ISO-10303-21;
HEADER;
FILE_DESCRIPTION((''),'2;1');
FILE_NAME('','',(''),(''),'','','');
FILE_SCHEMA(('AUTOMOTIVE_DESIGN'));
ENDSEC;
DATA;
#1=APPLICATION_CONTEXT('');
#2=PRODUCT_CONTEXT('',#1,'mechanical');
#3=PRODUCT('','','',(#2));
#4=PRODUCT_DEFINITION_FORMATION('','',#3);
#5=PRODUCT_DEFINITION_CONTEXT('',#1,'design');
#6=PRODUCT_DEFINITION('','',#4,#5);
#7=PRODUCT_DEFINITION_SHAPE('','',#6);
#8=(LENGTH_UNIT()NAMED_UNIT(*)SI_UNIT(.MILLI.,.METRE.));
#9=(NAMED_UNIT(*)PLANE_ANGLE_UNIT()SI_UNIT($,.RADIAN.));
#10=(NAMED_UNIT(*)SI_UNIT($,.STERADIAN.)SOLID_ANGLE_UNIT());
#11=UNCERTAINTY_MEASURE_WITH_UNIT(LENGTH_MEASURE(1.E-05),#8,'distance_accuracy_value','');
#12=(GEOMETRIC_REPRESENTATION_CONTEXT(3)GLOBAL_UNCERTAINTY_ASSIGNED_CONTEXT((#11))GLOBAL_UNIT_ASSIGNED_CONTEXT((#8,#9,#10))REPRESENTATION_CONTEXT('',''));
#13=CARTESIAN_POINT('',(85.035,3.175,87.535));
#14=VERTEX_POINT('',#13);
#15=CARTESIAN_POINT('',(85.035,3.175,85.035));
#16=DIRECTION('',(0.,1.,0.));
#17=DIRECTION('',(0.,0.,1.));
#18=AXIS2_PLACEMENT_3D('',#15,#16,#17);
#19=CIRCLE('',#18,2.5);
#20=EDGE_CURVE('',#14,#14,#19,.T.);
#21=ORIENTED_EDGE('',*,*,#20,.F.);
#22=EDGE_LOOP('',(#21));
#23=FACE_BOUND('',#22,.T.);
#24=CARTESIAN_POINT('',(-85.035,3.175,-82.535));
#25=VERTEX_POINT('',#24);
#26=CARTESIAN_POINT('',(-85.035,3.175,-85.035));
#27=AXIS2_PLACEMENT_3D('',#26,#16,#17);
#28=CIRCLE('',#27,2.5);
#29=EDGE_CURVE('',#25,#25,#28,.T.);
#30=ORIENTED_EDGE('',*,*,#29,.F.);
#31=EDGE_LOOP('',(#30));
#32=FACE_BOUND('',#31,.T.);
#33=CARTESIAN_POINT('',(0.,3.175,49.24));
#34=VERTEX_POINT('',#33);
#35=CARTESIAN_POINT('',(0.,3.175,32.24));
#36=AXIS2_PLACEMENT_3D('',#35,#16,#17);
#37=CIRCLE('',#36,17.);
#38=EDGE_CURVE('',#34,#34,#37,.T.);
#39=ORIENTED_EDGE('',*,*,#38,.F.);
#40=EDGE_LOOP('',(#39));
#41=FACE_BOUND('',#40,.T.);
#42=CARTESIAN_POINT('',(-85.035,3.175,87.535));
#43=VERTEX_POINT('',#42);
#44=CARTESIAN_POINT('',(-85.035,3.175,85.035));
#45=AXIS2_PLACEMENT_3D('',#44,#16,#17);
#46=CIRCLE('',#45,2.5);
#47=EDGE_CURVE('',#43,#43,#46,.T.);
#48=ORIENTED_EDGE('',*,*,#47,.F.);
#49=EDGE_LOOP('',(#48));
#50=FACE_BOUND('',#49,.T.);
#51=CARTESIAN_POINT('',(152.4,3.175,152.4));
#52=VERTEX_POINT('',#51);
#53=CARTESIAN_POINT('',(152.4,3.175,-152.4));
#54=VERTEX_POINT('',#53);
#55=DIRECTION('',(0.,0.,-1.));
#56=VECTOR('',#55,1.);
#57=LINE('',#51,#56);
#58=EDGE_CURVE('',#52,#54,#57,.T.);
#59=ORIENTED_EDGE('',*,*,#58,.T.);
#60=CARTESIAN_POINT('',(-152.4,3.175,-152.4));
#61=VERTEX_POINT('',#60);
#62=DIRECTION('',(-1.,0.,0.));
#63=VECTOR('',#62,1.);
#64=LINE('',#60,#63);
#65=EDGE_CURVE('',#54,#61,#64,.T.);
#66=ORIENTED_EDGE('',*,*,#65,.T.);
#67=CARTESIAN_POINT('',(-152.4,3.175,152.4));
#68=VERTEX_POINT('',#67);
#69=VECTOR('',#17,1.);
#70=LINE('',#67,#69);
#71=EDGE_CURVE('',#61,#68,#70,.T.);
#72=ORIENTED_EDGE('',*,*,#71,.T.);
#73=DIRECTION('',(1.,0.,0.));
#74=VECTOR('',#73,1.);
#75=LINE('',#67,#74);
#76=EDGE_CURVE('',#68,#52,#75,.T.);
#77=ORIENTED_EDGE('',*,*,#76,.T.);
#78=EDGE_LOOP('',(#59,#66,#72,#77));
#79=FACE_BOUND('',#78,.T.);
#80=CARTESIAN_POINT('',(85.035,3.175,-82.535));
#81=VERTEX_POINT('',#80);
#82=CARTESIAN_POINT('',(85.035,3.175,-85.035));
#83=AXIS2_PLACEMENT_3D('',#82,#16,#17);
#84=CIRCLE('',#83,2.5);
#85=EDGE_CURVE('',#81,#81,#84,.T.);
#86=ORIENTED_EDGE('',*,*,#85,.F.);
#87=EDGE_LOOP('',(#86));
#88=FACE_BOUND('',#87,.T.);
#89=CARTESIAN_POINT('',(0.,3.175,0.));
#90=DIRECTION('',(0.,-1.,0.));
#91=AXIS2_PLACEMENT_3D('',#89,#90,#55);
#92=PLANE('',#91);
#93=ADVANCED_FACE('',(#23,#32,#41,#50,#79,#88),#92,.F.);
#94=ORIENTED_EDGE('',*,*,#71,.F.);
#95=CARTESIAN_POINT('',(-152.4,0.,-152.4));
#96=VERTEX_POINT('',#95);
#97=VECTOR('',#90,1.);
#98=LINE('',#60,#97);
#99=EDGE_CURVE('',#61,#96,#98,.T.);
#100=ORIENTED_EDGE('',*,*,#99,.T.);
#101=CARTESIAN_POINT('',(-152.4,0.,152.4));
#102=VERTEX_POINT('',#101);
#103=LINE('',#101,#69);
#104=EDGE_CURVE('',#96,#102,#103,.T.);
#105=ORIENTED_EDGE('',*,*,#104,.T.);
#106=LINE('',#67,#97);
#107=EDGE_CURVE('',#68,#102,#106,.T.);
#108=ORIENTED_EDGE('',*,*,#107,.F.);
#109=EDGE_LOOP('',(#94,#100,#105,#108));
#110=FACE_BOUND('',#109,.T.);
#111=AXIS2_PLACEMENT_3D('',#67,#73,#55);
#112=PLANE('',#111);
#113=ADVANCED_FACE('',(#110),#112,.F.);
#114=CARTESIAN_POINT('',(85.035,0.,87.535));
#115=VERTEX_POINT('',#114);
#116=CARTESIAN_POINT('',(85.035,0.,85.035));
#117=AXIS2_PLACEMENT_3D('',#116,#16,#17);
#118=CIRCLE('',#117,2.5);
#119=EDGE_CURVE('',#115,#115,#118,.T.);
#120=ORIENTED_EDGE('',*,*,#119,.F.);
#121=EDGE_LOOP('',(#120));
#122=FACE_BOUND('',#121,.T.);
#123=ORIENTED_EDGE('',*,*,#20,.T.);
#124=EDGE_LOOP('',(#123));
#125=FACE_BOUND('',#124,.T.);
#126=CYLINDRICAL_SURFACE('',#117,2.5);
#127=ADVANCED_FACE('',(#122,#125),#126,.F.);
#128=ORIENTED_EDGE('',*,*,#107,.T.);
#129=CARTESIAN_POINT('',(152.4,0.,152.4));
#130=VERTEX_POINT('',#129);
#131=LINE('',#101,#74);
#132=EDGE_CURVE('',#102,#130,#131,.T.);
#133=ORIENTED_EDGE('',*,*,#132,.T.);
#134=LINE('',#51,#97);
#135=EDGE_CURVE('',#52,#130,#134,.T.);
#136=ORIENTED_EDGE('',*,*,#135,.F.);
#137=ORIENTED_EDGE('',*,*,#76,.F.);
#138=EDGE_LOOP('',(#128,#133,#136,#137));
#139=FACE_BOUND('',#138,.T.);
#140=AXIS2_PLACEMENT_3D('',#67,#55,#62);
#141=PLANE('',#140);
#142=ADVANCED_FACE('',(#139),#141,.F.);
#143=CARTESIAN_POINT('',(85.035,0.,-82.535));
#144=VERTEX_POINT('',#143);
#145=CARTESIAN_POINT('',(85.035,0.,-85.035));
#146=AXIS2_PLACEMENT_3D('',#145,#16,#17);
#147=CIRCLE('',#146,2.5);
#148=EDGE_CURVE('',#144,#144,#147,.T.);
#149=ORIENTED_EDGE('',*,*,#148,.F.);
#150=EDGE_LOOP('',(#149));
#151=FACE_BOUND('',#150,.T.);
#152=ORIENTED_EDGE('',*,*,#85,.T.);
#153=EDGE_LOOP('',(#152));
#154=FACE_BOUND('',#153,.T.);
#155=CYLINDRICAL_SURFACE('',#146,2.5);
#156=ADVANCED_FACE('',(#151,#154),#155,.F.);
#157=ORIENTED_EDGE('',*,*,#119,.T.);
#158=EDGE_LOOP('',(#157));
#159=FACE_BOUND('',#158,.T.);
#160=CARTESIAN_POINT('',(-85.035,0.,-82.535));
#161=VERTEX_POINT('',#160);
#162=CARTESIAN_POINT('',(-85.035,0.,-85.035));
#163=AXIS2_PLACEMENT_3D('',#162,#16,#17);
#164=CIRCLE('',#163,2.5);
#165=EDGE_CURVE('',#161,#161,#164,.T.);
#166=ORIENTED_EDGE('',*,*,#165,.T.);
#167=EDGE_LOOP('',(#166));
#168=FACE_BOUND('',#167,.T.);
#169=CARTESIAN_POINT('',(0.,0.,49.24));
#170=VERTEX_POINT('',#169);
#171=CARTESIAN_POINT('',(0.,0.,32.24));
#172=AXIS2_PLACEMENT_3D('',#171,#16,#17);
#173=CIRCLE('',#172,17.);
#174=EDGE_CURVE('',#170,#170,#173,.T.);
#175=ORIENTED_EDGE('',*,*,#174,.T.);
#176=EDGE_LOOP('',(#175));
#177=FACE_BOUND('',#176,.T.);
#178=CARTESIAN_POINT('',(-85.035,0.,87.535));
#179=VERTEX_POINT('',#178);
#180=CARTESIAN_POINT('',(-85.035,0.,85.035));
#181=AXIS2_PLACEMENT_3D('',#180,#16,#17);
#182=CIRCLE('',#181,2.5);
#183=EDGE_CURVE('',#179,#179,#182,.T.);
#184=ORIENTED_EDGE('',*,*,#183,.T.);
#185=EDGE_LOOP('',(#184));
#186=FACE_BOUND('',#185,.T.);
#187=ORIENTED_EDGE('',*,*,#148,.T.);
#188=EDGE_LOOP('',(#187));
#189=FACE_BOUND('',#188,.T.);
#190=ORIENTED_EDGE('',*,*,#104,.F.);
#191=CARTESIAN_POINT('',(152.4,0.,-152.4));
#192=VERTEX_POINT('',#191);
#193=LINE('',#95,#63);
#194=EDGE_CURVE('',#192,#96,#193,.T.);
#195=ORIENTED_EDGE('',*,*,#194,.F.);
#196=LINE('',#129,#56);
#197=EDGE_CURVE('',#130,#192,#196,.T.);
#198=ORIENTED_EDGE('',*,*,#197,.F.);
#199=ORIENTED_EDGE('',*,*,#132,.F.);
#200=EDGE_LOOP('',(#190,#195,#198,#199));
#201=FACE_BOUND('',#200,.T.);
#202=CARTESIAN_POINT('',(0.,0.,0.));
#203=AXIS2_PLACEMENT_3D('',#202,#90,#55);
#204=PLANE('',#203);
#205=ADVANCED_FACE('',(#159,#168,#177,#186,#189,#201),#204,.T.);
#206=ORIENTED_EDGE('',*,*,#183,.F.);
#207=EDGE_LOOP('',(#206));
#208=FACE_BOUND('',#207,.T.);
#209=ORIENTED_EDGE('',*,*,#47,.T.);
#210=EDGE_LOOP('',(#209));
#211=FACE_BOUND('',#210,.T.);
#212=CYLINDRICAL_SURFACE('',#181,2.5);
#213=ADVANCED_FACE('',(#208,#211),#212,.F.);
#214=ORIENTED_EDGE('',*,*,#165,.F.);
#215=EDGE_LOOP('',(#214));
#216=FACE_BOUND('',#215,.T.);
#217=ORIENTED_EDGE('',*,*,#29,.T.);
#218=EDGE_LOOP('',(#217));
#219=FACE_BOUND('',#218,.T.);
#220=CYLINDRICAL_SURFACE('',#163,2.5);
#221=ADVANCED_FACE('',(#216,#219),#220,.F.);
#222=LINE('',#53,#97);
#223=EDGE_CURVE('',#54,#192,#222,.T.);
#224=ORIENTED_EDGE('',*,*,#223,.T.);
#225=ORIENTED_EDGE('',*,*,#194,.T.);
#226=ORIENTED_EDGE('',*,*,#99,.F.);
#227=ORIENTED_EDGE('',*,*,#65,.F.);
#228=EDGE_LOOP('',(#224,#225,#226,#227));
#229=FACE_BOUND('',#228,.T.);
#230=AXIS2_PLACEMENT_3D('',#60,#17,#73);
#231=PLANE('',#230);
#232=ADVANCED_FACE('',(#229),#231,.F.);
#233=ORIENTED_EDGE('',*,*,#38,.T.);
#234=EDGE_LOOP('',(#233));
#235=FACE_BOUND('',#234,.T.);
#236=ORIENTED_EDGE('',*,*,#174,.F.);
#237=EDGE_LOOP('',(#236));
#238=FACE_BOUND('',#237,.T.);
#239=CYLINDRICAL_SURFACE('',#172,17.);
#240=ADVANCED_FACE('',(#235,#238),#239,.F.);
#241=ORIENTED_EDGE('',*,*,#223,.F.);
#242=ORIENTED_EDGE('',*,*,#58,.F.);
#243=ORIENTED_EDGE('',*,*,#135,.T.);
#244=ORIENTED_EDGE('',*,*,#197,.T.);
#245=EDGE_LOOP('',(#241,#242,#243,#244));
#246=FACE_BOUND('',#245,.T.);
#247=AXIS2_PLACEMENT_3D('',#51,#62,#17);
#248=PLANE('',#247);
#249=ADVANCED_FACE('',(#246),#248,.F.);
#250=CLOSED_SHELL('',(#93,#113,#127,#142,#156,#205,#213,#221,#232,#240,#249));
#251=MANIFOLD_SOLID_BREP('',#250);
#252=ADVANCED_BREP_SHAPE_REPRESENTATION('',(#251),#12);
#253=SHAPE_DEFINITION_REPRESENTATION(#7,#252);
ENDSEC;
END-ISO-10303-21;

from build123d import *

# Parameters (mm, degrees)
SKETCH2_W           = 304.8
SKETCH2_H           = 304.8
BOSS_EXTRUDE1_DEPTH = 3.175
SKETCH3_R           = 2.5
CUT_EXTRUDE1_DEPTH  = 216.549531721
SKETCH4_R           = 17
CUT_EXTRUDE2_DEPTH  = 216.549531721


with BuildPart() as part:
    # Sketch2 → Boss-Extrude1 (new body)
    with BuildSketch(Plane(origin=(0, 0, 0), x_dir=(1, 0, 0), z_dir=(0, 1, 0))):
        Rectangle(SKETCH2_W, SKETCH2_H)
    extrude(amount=BOSS_EXTRUDE1_DEPTH)

    # Sketch3 → Cut-Extrude1 (cut, through all)
    with BuildSketch(Plane(origin=(0, 3.175, 0), x_dir=(1, 0, 0), z_dir=(0, 1, 0))):
        with Locations(Location((-85.035, 85.035, 0), (0, 0, 270))):
            Circle(SKETCH3_R)
        with Locations(Location((85.035, 85.035, 0), (0, 0, 270))):
            Circle(SKETCH3_R)
        with Locations(Location((-85.035, -85.035, 0), (0, 0, 270))):
            Circle(SKETCH3_R)
        with Locations(Location((85.035, -85.035, 0), (0, 0, 270))):
            Circle(SKETCH3_R)
    extrude(amount=-CUT_EXTRUDE1_DEPTH, mode=Mode.SUBTRACT)

    # Sketch4 → Cut-Extrude2 (cut, through all)
    with BuildSketch(Plane(origin=(0, 3.175, 0), x_dir=(1, 0, 0), z_dir=(0, 1, 0))):
        with Locations(Location((0, -32.24, 0), (0, 0, 270))):
            Circle(SKETCH4_R)
    extrude(amount=-CUT_EXTRUDE2_DEPTH, mode=Mode.SUBTRACT)


solid = part.part
